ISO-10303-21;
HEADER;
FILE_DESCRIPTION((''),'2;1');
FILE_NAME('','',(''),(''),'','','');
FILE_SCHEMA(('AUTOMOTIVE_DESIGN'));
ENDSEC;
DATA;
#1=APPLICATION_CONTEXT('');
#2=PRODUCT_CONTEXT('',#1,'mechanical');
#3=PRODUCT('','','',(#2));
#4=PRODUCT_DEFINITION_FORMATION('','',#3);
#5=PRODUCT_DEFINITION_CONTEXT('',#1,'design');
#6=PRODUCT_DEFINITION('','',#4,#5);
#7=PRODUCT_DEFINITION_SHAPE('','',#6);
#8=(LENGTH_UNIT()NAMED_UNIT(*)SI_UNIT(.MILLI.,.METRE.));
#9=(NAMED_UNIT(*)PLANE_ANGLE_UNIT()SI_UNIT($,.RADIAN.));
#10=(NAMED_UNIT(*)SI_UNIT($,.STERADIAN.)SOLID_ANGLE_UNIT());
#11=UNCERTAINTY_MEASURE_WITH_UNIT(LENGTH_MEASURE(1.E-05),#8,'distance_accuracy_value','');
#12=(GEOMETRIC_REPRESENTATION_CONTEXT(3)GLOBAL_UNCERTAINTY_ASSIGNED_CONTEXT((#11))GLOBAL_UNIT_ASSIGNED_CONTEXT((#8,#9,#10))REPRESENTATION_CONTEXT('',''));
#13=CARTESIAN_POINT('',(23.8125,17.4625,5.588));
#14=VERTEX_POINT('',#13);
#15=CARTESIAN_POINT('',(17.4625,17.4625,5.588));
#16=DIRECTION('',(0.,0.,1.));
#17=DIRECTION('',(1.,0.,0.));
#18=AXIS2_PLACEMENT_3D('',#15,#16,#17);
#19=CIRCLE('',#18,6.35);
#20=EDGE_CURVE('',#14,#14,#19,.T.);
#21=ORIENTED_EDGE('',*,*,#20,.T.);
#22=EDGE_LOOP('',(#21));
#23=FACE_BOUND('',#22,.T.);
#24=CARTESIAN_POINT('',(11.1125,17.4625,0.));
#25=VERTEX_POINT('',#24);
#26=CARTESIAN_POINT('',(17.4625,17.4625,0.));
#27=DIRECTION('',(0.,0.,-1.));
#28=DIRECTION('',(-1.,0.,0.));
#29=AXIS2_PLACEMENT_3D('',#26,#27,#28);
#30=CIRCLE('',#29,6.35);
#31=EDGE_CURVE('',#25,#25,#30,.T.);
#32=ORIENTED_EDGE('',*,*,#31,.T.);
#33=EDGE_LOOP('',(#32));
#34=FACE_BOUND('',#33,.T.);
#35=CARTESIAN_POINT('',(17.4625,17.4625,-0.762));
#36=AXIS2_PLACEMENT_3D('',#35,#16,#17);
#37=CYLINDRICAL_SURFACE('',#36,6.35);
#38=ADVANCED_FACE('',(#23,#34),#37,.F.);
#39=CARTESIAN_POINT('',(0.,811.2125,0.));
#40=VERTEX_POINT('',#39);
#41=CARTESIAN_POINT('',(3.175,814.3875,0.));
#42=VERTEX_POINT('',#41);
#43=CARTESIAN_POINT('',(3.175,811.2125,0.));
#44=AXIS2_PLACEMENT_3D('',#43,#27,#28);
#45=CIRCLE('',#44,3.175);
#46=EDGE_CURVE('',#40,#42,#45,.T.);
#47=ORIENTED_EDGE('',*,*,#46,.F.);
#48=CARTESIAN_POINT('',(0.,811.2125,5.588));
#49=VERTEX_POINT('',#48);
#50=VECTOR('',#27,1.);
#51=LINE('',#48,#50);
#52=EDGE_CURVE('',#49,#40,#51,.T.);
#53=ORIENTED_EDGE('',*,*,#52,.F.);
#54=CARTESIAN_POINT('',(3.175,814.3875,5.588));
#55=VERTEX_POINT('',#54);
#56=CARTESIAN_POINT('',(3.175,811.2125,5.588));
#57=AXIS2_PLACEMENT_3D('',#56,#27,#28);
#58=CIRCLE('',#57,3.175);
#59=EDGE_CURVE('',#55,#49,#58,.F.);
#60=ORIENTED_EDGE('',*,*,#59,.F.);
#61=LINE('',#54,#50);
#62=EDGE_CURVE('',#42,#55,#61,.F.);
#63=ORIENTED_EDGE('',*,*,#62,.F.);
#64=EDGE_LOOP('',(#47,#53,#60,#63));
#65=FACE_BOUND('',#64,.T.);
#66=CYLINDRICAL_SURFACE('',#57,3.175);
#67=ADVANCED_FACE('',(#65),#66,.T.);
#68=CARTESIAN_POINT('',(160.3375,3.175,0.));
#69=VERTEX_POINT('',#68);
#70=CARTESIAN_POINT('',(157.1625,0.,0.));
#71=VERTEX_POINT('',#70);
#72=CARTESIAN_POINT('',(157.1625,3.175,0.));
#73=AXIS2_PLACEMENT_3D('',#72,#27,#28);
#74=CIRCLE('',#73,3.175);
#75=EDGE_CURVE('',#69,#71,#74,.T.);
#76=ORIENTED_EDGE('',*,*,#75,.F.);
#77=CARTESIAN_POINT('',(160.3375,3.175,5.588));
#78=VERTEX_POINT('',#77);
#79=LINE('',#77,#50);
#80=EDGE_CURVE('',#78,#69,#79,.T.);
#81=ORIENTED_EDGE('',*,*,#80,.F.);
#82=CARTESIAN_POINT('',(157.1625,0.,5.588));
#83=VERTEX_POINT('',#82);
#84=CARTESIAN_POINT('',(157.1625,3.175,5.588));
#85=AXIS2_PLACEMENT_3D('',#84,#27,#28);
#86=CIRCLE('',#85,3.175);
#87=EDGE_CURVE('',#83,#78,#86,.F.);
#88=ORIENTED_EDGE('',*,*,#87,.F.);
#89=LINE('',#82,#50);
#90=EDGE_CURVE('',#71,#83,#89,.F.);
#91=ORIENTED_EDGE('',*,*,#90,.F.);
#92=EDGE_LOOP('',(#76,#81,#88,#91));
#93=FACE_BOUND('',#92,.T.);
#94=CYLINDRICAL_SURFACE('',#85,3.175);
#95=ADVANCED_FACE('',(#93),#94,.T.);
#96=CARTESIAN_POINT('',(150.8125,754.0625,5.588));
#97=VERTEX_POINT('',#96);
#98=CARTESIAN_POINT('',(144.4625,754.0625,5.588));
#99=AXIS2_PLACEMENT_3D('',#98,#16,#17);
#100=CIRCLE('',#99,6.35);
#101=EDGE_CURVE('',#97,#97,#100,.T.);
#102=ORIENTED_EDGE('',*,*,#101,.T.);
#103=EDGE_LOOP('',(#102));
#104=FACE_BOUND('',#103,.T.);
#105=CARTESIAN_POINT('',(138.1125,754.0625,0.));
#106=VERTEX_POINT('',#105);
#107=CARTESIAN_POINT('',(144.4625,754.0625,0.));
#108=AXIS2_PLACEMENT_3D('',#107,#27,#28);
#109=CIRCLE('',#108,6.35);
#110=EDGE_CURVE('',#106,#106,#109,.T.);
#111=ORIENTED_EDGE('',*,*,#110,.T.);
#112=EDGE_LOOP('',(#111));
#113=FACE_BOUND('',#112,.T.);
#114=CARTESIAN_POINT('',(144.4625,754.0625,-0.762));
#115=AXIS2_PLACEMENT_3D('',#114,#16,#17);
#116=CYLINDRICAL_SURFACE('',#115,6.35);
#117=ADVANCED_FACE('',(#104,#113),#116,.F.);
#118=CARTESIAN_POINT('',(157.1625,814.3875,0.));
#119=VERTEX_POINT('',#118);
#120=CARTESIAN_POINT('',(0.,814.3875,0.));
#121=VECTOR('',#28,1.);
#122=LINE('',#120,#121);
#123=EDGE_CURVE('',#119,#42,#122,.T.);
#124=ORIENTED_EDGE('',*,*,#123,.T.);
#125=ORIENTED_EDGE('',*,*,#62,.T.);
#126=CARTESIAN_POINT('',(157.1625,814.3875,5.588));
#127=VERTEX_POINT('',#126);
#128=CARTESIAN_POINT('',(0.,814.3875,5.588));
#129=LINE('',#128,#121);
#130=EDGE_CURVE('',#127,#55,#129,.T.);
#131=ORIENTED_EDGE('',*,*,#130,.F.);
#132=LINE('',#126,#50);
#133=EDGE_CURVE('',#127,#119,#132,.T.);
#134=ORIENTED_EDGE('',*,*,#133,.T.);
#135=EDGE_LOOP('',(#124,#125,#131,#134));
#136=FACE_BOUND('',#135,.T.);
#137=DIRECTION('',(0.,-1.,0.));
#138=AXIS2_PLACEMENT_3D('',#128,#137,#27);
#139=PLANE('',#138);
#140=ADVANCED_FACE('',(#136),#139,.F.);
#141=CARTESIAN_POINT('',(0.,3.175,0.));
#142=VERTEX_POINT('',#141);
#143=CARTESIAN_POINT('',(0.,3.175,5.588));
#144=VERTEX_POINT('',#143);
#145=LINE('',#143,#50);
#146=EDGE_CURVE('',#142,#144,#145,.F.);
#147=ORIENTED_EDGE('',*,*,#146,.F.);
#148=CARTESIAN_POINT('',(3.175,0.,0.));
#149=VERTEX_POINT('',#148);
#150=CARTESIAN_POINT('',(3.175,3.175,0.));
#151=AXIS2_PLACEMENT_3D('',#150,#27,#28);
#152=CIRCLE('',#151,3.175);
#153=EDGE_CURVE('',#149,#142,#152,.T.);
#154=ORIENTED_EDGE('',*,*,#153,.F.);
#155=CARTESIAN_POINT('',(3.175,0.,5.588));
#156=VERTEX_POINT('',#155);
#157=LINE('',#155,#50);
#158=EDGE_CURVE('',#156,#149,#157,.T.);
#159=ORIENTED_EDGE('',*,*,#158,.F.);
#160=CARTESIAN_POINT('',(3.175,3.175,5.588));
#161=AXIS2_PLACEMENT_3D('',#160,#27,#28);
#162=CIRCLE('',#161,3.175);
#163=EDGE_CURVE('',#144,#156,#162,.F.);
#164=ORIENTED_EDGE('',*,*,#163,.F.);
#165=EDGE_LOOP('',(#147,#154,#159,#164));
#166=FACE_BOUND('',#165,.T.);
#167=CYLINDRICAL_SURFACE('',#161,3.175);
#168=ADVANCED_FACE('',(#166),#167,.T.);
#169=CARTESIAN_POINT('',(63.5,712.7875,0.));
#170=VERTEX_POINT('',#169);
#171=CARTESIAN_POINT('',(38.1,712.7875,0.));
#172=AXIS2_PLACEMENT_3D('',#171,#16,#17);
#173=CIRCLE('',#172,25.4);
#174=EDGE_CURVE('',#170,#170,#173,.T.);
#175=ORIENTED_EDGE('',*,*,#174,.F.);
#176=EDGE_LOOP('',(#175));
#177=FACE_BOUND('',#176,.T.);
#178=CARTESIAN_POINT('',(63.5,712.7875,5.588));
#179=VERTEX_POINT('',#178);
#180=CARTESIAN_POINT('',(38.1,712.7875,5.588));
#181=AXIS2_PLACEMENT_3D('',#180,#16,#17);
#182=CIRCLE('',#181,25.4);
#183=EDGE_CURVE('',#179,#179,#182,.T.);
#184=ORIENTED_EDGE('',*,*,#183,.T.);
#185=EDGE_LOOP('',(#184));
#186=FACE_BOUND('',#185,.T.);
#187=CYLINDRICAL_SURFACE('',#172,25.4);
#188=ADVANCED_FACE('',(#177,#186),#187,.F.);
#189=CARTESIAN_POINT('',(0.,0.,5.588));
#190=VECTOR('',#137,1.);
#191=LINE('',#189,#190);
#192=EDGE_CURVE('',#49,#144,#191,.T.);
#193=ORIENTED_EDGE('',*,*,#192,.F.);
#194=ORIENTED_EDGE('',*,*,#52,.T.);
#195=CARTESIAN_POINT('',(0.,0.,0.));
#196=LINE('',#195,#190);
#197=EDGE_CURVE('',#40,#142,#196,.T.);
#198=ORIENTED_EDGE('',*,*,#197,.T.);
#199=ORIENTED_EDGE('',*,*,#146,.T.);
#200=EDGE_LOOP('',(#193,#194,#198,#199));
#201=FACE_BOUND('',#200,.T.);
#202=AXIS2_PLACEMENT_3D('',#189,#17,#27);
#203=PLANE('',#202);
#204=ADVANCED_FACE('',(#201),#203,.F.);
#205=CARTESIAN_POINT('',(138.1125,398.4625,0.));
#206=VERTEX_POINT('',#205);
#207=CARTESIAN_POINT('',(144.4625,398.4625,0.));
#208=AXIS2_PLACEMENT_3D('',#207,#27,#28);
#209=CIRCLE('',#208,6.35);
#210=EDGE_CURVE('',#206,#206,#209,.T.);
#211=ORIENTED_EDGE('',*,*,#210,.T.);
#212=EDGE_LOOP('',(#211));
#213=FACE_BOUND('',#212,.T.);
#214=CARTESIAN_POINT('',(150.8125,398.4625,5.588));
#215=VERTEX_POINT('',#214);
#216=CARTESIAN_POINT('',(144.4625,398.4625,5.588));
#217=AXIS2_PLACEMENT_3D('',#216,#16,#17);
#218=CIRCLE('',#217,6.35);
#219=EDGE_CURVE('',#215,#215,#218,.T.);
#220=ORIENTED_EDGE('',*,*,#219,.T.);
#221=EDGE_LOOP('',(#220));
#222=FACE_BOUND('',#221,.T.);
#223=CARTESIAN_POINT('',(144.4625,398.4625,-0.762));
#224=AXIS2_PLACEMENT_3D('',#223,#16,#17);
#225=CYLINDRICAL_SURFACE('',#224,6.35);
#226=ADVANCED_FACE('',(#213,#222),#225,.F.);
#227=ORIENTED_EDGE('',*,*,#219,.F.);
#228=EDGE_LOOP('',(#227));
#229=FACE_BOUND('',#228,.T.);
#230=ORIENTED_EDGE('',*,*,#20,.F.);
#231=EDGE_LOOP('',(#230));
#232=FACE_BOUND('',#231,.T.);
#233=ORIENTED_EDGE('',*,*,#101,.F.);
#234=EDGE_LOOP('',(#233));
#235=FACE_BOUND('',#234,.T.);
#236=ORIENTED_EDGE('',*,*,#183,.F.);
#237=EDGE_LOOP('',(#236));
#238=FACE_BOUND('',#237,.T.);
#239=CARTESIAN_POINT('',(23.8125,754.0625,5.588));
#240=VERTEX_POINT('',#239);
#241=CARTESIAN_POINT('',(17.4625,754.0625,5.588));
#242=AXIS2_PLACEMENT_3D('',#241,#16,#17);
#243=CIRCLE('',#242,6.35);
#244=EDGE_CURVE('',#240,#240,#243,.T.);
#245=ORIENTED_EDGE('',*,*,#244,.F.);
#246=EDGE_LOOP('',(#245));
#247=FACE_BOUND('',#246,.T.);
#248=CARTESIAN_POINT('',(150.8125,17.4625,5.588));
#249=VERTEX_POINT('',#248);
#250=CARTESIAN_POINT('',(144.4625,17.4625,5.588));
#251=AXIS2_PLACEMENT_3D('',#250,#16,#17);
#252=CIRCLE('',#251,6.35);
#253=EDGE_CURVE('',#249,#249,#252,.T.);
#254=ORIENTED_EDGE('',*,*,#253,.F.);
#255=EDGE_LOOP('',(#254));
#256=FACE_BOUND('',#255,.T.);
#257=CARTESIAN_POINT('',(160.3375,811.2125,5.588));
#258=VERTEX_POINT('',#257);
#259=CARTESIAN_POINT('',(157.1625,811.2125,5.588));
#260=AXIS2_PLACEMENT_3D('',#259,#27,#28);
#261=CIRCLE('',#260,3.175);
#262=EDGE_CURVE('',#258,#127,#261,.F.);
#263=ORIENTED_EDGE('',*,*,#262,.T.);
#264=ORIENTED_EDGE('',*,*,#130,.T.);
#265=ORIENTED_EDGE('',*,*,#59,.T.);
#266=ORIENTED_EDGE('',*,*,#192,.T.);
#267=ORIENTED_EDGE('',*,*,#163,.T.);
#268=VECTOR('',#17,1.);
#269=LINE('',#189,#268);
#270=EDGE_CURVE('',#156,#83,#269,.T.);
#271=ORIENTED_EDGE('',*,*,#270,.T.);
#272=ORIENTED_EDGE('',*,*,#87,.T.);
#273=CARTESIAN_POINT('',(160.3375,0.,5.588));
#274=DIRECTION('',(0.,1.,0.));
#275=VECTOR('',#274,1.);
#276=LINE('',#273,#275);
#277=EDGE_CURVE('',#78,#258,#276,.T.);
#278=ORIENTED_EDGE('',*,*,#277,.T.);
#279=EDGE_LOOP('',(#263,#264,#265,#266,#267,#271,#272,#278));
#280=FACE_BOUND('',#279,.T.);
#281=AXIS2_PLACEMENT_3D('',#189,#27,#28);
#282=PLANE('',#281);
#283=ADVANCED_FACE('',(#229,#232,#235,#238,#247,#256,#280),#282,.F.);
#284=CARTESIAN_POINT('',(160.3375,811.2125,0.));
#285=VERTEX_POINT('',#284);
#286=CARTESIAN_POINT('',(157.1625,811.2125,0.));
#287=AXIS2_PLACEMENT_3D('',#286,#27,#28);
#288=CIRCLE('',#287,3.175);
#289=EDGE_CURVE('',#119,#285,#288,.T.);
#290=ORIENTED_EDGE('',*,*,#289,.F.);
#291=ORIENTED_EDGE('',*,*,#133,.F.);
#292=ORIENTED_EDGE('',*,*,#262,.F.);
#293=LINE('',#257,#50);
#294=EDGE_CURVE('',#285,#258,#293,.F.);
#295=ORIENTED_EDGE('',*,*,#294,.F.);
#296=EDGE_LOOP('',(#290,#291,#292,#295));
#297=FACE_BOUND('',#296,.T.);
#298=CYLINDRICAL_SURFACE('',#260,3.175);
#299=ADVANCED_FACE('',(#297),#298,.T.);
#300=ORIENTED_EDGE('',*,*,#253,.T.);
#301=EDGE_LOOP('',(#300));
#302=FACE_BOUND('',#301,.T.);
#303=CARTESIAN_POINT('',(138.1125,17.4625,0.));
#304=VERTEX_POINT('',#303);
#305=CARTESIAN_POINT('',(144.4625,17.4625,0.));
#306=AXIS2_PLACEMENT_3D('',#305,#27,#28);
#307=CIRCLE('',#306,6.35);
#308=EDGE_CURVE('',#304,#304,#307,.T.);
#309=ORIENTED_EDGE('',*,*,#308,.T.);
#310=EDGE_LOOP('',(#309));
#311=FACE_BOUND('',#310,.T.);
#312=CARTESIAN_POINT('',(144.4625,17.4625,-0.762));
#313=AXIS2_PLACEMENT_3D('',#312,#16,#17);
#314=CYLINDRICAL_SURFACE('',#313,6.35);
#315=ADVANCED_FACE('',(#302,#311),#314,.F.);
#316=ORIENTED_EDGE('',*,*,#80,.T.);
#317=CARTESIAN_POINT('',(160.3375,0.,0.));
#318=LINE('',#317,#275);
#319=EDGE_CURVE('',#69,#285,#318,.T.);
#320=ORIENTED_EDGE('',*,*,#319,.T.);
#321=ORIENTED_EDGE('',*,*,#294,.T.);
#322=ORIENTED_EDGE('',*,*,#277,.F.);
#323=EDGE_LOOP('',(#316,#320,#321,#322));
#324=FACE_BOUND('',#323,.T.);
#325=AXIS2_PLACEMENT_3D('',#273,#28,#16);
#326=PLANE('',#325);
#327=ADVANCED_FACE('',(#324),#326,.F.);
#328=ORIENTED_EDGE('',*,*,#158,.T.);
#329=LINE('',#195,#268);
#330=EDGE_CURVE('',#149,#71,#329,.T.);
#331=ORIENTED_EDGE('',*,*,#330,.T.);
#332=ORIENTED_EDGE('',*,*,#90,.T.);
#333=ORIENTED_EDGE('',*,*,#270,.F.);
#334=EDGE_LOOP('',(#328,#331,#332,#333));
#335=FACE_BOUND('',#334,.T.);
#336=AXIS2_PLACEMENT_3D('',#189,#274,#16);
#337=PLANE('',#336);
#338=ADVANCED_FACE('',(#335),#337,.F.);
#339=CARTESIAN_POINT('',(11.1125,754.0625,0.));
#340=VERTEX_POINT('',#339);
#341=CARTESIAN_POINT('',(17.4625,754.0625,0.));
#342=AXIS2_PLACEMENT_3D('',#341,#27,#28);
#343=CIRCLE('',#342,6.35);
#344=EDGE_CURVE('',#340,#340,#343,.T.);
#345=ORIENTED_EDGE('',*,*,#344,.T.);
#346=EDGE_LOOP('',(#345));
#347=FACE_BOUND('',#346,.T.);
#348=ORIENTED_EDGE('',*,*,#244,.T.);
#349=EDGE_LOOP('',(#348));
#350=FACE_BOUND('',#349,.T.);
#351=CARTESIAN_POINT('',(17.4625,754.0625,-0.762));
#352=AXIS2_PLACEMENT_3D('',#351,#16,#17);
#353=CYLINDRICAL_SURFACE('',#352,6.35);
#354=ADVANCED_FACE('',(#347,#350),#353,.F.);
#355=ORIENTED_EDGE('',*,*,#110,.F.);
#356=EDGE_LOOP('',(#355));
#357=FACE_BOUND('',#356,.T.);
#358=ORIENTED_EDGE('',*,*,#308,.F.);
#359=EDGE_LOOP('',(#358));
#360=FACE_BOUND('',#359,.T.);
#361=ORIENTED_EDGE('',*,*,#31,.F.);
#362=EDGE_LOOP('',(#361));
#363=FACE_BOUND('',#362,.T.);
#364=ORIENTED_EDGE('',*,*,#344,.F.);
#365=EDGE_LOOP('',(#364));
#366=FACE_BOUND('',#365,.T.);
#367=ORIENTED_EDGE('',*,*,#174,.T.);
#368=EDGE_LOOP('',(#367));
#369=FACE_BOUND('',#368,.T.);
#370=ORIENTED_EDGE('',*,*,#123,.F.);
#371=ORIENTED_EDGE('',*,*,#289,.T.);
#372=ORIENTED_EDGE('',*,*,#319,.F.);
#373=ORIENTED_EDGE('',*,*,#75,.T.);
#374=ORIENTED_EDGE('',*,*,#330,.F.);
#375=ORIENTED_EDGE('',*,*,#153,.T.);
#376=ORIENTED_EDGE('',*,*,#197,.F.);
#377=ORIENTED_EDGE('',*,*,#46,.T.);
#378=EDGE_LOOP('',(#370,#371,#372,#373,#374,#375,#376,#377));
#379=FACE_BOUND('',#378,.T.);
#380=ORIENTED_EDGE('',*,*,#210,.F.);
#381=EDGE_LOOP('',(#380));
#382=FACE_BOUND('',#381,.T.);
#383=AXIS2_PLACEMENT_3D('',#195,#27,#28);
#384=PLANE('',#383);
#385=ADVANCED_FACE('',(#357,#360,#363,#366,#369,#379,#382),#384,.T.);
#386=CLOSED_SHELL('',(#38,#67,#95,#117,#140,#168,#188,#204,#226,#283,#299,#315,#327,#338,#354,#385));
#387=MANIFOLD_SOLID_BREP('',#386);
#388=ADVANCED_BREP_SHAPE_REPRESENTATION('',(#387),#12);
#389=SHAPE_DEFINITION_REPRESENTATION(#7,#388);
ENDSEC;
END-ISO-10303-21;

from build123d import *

# Parameters (mm, degrees)
SKETCH1_W           = 160.3375
SKETCH1_H           = 814.3875
BOSS_EXTRUDE1_DEPTH = 5.588
FILLET1_R           = 3.175
SKETCH2_R           = 6.35
CUT_EXTRUDE1_DEPTH  = 6.35
SKETCH3_R           = 25.4
CUT_EXTRUDE2_DEPTH  = 831.039962777


with BuildPart() as part:
    # Sketch1 → Boss-Extrude1 (new body)
    with BuildSketch(Plane.XY):
        with Locations((80.16875, 407.19375)):
            Rectangle(SKETCH1_W, SKETCH1_H)
    extrude(amount=BOSS_EXTRUDE1_DEPTH)

    # Fillet1
    fillet1_edges = [part.edges().sort_by_distance(p)[0] for p in [
        (0, 814.3875, 2.794),
        (160.3375, 814.3875, 2.794),
        (160.3375, 0, 2.794),
        (0, 0, 2.794),
    ]]
    fillet(fillet1_edges, radius=FILLET1_R)

    # Sketch2 → Cut-Extrude1 (cut)
    with BuildSketch(Plane.XY.offset(5.588)):
        with Locations((17.4625, 754.0625)):
            Circle(SKETCH2_R)
        with Locations((144.4625, 754.0625)):
            Circle(SKETCH2_R)
        with Locations((17.4625, 17.4625)):
            Circle(SKETCH2_R)
        with Locations((144.4625, 17.4625)):
            Circle(SKETCH2_R)
        with Locations((144.4625, 398.4625)):
            Circle(SKETCH2_R)
    extrude(amount=-CUT_EXTRUDE1_DEPTH, mode=Mode.SUBTRACT)

    # Sketch3 → Cut-Extrude2 (cut, through all)
    with BuildSketch(Plane.XY.offset(5.588)):
        with Locations((38.1, 712.7875)):
            Circle(SKETCH3_R)
    extrude(amount=-CUT_EXTRUDE2_DEPTH, mode=Mode.SUBTRACT)


solid = part.part
